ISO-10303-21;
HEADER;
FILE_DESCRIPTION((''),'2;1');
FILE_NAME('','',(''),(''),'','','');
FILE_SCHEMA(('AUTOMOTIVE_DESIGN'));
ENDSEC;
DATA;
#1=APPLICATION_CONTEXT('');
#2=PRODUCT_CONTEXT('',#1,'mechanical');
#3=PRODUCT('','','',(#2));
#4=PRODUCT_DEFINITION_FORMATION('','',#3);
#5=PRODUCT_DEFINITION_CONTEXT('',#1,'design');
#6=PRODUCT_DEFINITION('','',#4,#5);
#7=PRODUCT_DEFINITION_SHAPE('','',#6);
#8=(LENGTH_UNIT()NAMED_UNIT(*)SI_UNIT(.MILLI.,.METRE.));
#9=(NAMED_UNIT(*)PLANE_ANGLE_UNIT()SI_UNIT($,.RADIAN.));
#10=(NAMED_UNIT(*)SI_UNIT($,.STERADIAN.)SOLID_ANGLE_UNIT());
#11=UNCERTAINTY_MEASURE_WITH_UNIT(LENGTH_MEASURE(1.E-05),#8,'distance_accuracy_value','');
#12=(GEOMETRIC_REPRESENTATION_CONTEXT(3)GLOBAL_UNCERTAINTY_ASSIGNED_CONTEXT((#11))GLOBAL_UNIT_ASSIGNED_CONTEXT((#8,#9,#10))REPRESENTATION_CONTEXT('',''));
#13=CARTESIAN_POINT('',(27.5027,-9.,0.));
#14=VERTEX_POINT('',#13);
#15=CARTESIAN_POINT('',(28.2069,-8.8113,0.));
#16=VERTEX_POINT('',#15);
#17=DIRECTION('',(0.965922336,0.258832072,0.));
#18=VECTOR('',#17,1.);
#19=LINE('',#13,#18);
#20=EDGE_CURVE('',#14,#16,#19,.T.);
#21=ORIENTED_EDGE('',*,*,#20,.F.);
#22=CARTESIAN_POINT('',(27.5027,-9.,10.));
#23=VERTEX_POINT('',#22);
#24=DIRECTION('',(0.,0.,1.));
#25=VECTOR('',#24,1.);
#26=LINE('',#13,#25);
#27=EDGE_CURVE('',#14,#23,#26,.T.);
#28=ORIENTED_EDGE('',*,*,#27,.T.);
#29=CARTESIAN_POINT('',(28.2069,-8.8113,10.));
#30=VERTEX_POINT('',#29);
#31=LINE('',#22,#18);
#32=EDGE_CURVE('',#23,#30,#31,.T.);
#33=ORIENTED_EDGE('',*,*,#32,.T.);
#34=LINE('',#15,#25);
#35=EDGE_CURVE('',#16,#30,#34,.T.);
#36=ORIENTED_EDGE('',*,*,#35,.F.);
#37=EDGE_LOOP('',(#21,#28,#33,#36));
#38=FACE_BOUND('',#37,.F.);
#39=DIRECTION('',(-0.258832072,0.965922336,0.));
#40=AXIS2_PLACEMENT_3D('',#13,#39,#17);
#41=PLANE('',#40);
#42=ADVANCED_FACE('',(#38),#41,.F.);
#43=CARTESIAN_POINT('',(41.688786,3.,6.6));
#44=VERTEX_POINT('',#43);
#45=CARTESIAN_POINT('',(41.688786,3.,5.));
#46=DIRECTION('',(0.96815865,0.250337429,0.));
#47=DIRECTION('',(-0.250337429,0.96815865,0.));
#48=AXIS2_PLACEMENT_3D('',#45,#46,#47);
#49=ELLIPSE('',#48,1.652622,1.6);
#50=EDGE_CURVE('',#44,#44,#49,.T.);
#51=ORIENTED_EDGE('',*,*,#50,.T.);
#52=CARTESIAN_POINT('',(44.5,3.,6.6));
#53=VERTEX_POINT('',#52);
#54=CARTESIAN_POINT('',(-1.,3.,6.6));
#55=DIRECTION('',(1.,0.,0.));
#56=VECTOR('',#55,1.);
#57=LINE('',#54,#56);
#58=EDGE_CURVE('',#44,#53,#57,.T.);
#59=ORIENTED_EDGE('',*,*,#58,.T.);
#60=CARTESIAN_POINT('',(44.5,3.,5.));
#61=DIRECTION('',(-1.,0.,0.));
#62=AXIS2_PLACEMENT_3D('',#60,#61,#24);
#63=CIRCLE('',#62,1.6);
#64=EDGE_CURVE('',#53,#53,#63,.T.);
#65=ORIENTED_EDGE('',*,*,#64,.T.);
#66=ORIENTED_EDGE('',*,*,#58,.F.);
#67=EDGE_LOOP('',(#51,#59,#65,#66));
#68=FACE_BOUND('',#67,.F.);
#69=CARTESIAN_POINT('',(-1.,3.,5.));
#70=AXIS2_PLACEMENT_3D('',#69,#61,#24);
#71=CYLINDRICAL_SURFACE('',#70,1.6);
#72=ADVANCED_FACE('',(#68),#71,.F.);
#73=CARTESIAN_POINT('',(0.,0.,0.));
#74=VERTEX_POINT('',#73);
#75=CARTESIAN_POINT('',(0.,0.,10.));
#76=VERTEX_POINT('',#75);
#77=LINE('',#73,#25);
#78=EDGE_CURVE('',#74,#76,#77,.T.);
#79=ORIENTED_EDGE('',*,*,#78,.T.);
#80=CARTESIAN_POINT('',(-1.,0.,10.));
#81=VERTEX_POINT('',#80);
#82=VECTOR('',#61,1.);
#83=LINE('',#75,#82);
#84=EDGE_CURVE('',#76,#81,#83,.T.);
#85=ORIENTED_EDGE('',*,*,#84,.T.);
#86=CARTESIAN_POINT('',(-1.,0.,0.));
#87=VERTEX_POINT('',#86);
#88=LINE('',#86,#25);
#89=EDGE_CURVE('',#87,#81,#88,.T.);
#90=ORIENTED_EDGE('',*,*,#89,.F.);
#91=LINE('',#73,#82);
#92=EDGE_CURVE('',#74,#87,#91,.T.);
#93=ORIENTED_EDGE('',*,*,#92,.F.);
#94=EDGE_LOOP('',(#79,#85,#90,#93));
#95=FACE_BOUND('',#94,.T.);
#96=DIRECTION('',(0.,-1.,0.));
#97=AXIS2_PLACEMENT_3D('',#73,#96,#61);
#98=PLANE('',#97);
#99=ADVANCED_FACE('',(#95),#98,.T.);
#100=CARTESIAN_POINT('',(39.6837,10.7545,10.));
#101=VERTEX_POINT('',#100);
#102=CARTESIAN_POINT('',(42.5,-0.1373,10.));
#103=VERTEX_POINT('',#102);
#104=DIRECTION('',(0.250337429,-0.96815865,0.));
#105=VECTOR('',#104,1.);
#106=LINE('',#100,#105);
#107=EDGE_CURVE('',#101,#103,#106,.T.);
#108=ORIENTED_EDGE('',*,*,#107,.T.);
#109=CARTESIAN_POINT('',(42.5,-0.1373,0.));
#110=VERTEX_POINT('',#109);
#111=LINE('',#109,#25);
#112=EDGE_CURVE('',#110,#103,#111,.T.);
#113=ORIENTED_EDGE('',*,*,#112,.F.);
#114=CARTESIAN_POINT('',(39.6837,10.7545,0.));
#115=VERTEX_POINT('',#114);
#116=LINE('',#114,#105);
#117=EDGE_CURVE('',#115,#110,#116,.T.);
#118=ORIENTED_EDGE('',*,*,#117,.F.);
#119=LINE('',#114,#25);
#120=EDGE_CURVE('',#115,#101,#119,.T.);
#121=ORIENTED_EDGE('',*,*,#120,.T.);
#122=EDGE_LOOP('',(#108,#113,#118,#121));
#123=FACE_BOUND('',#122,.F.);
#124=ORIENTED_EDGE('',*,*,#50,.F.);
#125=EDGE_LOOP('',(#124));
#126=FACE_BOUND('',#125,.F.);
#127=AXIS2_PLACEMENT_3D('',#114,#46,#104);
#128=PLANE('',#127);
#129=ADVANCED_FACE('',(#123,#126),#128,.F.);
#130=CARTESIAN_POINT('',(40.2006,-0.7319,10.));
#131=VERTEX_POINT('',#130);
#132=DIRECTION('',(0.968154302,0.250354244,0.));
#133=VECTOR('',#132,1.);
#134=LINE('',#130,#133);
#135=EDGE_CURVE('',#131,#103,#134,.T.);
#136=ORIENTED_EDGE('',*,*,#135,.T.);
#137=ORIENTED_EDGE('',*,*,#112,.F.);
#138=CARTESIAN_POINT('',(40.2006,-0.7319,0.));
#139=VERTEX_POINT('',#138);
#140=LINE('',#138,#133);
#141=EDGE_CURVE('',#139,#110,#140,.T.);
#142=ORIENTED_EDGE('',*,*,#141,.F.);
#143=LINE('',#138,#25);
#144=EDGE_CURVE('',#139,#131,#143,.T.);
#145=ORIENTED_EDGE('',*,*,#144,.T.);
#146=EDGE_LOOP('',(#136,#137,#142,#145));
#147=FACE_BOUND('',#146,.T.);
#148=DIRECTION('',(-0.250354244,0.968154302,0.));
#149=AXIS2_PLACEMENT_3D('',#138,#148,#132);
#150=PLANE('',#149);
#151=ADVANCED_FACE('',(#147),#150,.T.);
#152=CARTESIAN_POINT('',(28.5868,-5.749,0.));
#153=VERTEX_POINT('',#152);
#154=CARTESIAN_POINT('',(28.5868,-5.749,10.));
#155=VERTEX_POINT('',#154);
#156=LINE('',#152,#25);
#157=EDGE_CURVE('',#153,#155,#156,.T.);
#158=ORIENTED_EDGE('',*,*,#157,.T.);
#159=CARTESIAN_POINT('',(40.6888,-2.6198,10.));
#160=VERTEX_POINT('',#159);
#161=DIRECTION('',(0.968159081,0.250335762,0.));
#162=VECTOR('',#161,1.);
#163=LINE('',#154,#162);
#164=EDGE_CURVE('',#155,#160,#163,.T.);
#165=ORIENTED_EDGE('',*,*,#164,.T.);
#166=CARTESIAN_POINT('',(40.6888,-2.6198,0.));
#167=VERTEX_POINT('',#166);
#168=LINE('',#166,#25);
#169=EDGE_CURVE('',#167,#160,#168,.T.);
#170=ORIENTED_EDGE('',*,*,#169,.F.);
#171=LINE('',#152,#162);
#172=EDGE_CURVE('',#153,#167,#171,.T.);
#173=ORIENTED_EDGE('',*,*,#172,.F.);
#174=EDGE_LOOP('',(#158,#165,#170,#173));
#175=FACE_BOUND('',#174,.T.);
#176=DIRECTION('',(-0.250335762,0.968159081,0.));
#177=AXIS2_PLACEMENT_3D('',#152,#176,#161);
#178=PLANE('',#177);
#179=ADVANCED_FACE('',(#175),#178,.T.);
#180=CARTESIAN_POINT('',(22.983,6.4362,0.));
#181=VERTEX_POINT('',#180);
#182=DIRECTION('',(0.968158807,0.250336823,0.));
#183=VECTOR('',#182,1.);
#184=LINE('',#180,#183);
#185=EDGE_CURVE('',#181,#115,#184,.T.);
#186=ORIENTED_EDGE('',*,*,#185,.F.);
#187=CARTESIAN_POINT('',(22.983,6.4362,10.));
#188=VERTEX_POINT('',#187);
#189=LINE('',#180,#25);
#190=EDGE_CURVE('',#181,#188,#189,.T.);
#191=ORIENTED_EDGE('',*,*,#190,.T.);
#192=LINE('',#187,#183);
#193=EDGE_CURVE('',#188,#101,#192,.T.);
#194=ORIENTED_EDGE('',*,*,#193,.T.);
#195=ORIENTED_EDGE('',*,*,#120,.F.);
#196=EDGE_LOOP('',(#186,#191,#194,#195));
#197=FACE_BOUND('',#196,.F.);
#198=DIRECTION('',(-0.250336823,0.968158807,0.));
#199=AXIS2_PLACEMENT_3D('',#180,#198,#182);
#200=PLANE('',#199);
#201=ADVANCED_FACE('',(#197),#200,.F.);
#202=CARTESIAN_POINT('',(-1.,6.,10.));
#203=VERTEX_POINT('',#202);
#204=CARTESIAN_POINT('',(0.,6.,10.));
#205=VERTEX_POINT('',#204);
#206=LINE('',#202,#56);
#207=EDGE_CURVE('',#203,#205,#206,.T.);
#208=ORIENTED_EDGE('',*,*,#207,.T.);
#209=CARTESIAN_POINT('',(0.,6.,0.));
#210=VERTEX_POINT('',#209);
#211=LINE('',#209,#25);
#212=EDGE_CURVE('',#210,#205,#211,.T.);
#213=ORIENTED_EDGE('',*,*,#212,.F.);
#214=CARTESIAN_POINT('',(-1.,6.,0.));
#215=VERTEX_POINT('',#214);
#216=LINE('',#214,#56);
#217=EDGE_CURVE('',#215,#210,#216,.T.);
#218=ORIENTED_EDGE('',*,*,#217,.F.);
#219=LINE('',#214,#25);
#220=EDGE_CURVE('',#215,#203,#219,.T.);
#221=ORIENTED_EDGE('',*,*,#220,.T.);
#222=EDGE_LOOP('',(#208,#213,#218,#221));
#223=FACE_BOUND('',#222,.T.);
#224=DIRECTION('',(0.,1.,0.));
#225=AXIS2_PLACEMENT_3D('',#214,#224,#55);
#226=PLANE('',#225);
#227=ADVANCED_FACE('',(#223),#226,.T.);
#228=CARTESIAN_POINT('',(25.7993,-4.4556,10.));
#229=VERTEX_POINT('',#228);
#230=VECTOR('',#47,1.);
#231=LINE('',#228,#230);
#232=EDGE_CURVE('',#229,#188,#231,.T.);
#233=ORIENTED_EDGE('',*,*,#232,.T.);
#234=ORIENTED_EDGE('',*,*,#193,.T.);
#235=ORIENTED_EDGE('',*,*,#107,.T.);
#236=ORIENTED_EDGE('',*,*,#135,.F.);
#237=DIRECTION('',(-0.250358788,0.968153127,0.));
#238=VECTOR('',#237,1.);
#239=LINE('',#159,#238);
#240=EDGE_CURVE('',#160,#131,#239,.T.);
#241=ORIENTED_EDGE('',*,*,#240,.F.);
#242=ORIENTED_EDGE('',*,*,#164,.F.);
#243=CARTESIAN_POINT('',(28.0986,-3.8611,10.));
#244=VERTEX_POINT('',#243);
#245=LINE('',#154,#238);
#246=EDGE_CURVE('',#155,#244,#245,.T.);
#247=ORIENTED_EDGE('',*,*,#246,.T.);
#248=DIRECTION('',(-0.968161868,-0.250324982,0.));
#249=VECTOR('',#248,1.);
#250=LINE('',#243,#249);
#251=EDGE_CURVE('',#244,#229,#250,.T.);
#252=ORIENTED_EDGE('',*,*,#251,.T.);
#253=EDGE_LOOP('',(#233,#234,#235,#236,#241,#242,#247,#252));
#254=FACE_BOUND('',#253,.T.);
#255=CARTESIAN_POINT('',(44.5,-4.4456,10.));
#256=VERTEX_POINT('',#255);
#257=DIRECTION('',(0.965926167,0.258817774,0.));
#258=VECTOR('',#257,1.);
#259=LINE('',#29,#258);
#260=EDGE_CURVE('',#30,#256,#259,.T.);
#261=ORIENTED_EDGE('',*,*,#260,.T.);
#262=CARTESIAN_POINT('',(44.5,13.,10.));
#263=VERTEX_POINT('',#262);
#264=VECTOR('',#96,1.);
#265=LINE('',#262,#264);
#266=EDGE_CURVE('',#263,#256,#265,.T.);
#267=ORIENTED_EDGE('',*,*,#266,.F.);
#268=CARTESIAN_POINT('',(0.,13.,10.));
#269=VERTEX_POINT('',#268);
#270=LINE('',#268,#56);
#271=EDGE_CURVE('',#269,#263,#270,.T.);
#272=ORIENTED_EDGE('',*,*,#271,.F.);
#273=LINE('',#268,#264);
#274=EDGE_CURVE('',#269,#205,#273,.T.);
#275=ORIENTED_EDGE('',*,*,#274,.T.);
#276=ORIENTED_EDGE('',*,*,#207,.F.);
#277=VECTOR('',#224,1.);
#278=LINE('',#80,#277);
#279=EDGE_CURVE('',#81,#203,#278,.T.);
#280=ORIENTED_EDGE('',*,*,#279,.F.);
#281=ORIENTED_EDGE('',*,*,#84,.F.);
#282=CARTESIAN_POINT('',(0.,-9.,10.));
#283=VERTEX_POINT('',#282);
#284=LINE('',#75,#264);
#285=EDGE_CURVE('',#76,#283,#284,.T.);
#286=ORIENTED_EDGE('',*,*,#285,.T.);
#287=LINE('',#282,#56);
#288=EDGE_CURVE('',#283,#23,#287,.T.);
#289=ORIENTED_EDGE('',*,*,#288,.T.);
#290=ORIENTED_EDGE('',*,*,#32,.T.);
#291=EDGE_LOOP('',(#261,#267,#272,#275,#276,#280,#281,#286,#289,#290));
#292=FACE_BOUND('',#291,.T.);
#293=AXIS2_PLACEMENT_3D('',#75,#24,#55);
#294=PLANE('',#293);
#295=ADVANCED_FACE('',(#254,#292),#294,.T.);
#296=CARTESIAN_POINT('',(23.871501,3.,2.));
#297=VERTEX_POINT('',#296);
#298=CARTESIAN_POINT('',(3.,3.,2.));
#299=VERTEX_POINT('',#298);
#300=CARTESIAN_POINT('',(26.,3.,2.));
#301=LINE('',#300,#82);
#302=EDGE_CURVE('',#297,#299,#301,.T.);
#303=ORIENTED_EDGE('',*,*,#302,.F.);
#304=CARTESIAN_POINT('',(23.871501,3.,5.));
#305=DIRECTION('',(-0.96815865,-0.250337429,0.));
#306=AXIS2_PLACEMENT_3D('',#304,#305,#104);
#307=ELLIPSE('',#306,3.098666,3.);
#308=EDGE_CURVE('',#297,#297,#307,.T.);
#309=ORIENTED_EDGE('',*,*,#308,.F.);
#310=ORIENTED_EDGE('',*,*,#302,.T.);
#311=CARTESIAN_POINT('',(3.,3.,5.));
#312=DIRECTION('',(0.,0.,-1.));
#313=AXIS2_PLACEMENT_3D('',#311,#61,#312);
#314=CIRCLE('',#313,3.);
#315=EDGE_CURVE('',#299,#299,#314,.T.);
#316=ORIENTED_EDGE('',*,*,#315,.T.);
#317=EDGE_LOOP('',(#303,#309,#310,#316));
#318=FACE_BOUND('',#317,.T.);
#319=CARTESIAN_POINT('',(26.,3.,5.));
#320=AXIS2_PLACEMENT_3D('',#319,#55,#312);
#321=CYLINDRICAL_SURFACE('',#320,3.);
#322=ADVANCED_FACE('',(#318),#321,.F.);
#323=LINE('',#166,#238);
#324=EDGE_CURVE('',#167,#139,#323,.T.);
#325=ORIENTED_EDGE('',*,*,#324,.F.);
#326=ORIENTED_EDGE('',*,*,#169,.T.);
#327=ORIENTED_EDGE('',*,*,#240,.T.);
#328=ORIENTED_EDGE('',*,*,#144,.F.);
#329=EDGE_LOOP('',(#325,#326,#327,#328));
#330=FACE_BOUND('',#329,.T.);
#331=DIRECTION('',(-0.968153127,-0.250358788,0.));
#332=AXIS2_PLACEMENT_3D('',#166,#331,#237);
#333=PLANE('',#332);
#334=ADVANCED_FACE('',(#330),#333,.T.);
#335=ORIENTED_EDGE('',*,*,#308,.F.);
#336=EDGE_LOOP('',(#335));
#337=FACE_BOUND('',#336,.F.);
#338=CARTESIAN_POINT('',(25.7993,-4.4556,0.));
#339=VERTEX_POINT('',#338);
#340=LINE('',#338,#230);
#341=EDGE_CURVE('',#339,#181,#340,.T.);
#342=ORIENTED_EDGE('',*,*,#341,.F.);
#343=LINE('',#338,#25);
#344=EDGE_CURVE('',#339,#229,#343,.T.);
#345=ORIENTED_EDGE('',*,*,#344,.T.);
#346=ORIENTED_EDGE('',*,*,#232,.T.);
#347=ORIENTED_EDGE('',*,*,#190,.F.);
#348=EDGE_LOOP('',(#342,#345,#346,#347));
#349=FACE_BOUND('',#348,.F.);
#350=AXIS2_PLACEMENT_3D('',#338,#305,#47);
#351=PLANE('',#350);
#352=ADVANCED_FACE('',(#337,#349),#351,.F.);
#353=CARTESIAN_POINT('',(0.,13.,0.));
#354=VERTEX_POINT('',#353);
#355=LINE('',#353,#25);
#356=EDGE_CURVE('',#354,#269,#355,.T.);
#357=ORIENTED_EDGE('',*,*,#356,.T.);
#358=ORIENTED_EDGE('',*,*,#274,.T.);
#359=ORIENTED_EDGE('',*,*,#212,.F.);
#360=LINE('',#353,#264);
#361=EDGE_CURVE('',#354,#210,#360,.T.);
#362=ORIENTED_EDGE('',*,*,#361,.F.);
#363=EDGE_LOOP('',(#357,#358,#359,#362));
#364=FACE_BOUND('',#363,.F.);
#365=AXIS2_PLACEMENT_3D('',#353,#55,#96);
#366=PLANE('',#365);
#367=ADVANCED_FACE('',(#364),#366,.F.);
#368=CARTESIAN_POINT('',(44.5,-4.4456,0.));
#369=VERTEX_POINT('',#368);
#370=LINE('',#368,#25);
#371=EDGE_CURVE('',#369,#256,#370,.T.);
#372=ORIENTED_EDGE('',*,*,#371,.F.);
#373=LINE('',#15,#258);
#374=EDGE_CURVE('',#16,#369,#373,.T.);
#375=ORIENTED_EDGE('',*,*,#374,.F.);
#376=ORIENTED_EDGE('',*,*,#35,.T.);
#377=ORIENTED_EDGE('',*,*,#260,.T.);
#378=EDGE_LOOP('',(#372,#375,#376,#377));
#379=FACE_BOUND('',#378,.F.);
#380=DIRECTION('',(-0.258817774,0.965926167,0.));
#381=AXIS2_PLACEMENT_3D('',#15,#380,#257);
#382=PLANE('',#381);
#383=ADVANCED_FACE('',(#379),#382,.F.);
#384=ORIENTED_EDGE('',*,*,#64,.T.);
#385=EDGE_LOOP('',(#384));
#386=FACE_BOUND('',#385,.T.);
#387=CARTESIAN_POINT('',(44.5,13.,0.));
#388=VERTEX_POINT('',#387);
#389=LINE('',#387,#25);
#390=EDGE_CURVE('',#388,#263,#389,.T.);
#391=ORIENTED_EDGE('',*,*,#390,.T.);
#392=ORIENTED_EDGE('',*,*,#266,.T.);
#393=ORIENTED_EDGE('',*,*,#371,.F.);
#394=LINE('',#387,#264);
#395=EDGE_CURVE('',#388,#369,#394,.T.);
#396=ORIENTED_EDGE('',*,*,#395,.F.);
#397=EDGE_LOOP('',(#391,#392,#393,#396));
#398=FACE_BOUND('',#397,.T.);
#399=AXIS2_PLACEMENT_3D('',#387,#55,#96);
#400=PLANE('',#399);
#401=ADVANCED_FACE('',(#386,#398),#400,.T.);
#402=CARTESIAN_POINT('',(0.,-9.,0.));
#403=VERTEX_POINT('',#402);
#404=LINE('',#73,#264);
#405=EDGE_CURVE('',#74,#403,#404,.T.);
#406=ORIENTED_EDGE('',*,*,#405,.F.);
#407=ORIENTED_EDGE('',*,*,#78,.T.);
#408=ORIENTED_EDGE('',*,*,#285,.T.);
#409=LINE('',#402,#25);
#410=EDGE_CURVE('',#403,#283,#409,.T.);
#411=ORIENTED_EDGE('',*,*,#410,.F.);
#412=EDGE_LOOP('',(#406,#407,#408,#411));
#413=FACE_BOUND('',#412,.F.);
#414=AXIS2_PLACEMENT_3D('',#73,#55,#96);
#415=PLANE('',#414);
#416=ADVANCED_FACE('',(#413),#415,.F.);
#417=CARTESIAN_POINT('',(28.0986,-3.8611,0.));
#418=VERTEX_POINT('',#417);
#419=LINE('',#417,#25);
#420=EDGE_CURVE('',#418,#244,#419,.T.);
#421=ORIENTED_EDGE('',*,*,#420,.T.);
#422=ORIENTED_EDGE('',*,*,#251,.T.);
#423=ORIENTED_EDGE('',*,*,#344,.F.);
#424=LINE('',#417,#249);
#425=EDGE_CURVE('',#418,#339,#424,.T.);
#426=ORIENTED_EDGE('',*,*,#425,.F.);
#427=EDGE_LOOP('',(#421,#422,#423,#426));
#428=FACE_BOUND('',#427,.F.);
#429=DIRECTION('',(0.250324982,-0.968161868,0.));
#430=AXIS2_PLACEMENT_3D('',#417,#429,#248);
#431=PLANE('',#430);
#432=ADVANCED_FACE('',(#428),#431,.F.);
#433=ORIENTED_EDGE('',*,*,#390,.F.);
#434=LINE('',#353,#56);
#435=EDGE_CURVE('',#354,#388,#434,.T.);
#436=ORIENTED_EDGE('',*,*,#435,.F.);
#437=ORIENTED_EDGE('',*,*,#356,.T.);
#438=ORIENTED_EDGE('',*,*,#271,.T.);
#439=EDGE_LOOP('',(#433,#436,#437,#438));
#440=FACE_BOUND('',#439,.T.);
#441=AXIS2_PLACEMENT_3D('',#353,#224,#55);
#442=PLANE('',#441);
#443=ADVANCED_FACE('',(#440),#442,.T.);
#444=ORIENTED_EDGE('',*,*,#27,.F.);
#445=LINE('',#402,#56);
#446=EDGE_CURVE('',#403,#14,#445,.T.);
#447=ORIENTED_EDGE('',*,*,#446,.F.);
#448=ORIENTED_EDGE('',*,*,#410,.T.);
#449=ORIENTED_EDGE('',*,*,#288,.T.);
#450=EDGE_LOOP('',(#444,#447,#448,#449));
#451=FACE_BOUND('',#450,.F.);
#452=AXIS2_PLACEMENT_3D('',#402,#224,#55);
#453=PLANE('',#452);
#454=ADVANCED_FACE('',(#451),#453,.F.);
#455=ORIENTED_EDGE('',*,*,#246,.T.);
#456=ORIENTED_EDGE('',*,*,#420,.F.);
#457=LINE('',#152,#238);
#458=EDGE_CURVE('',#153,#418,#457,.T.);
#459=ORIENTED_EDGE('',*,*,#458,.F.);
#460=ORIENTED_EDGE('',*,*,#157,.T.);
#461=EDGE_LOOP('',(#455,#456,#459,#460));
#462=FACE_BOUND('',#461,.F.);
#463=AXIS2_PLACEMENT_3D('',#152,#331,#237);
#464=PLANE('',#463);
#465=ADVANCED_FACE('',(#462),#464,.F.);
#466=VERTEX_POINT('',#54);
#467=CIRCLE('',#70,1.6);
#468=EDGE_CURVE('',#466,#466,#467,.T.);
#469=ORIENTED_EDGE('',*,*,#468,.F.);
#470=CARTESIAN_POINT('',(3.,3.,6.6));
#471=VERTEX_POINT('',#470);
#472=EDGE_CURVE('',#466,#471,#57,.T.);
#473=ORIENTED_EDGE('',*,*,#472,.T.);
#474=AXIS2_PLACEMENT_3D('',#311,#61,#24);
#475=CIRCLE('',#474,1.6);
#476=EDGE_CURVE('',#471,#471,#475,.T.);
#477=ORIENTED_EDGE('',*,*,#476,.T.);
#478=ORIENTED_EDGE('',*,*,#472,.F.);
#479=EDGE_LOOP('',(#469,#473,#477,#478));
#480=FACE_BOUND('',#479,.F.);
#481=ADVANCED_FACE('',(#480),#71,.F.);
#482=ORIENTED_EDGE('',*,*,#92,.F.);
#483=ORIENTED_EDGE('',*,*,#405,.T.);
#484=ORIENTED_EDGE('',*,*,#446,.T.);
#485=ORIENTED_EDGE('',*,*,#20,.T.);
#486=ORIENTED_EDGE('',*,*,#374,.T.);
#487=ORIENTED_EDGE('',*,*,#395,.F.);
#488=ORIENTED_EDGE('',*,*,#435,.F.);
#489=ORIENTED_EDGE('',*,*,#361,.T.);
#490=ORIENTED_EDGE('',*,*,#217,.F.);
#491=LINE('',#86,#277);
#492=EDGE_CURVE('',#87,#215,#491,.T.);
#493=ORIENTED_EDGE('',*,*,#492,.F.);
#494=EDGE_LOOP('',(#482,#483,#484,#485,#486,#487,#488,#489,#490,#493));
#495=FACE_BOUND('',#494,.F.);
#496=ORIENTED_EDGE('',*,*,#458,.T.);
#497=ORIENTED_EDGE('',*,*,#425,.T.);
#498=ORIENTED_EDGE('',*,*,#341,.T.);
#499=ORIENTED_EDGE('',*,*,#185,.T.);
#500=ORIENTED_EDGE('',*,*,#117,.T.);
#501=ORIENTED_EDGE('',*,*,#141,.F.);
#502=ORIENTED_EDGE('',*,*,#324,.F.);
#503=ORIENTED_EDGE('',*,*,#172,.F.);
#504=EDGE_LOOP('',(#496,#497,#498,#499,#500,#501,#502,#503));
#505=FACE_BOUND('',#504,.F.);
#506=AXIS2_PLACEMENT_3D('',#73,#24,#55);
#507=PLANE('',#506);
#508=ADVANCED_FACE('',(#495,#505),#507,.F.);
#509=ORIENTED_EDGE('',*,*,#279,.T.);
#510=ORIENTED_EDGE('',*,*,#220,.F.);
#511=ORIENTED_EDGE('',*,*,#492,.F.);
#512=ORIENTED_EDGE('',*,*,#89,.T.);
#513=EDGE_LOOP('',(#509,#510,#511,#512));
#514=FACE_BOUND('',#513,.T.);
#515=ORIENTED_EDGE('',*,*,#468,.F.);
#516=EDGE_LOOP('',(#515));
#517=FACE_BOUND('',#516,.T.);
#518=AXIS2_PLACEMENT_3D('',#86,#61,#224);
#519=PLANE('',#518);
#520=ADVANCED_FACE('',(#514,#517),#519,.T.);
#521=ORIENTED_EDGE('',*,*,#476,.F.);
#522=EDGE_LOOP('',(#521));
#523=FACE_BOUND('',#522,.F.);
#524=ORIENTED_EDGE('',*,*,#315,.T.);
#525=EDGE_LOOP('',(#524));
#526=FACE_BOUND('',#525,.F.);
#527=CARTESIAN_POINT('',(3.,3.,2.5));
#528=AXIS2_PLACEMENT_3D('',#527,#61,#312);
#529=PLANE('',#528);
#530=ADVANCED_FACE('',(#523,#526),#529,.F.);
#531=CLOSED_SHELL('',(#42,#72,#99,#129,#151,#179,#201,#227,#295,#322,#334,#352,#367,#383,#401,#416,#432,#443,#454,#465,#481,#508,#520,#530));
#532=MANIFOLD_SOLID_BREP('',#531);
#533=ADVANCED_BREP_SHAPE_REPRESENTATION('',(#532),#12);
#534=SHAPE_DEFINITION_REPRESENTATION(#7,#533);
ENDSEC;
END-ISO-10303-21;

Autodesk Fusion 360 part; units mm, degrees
sketch "Sketch1" plane through (0, 0, 0) normal (0, 0, 1) x (1, 0, 0)
  line L0 (0, 13) -> (44.5, 13)
  line L1 (0, 0) -> (-1, 0)
  line L2 (-1, 0) -> (-1, 6)
  line L3 (-1, 6) -> (0, 6)
  line L4 (0, -9) -> (27.5027, -9)
  line L5 (44.5, 13) -> (44.5, -4.4456)
  line L6 (9.2672, -6.9165) -> (19.8794, -6.9165) construction
  line L7 (25.7993, -4.4556) -> (22.983, 6.4362)
  line L8 (22.983, 6.4362) -> (39.6837, 10.7545)
  line L9 (39.6837, 10.7545) -> (42.5, -0.1373)
  line L10 (0, 13) -> (0, 6)
  line L11 (0, 0) -> (0, -9)
  line L12 (27.5027, -9) -> (28.2069, -8.8113)
  line L13 (27.5027, -9) -> (27.6263, -9) construction
  line L14 (28.5868, -5.749) -> (28.0986, -3.8611)
  line L15 (40.6888, -2.6198) -> (40.2006, -0.7319)
  line L16 (28.0986, -3.8611) -> (25.7993, -4.4556)
  line L17 (40.2006, -0.7319) -> (42.5, -0.1373)
  line L18 (28.5868, -5.749) -> (40.6888, -2.6198)
  line L19 (28.2069, -8.8113) -> (44.5, -4.4456)
  point P0 (28.5868, -5.749)
  dimension "d1" = 44.5
  dimension "d3" = 1
  dimension "d4" = 6
  dimension "d6" = 9
  dimension "d7" = 7
  dimension "d15" = 17.25
  dimension "d25" = 15
  dimension "d26" = 12.5
  dimension "d30" = 2
  dimension "d31" = 105
  dimension "d33" = 2.75
  dimension "d34" = 13.2
  dimension "d35" = 16.9973
  dimension "d38" = 11.25
extrude "Extrude1" add sketch "Sketch1" along normal blind 10
sketch "Sketch2" plane through (-1, 0, 0) normal (-1, 0, 0) x (0, 0, 1)
  line L0 (0, 6) -> (0, 0)
  line L1 (0, 0) -> (10, 0)
  line L2 (10, 0) -> (10, 6)
  line L3 (10, 6) -> (0, 6)
  circle A0 centre (5, 3) radius 1.6
  circle A1 centre (5, 3) radius 3
  dimension "d18" = 3.2
  dimension "d19" = 6
extrude "Extrude2" cut sketch "Sketch2" against normal up to surface (45.5 mm away) contours A0
ref_plane "WorkPlane1" through (26, 3, 5) normal (-1, 0, 0) x (0, 0, 1)
sketch "Sketch3" plane through (26, 3, 2.5) normal (-1, 0, 0) x (0, 0, -1)
  circle A0 centre (-2.5, 0) radius 3
  point P0 (-2.5, 0)
extrude "Extrude3" cut sketch "Sketch3" along normal blind 23
equation "d1 = 27.5 mm + 17 mm"
equation "d23 = 27 mm - 4 mm"
